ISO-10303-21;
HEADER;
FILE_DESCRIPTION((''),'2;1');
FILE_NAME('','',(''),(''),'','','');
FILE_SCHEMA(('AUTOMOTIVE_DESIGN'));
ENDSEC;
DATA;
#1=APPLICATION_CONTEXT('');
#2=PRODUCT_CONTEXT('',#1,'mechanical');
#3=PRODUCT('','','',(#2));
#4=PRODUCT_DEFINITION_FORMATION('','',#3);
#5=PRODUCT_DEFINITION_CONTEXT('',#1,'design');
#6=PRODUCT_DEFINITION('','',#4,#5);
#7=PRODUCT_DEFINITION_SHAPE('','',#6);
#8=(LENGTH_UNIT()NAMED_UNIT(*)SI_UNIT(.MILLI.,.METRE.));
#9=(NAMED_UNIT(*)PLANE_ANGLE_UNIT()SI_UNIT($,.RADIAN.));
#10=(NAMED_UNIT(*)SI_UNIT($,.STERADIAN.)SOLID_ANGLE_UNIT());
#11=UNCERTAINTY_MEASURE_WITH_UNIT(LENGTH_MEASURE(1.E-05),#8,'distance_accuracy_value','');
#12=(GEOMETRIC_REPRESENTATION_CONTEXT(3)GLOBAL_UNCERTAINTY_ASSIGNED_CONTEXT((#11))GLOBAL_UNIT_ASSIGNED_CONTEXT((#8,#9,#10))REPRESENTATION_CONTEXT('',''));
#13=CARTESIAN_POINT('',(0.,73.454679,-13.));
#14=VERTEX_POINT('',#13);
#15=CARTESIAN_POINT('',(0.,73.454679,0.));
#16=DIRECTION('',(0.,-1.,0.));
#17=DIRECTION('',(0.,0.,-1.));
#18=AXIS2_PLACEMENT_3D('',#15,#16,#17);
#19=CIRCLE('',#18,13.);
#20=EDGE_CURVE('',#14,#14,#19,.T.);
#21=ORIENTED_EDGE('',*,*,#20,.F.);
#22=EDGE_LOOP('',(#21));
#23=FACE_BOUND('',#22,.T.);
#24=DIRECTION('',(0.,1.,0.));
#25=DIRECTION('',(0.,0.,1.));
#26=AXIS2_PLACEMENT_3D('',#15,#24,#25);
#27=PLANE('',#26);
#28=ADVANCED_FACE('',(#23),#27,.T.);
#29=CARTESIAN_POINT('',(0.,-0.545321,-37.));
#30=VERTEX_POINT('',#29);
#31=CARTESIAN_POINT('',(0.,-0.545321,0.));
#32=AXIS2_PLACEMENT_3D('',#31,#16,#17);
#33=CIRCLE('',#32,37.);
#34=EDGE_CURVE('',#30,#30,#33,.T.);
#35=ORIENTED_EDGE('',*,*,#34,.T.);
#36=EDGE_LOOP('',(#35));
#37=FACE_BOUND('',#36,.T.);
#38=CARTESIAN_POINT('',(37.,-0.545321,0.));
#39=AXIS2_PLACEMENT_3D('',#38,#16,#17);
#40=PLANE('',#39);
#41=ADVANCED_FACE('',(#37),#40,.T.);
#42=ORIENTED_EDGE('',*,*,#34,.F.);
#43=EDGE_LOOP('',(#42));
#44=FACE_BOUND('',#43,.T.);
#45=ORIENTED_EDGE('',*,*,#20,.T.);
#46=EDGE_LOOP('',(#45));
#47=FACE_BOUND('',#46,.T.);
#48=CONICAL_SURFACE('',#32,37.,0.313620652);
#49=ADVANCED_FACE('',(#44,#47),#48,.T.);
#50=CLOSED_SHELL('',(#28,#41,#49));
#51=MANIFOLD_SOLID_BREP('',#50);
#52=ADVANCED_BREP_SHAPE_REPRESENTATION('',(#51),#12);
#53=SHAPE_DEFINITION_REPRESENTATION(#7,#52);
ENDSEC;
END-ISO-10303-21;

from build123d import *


with BuildPart() as part:
    # 草图2 → 旋转1 (revolve)
    with BuildSketch(Plane.XY):
        Polygon((0, -0.545321134), (0, 73.454678866), (13, 73.454678866), (37, -0.545321134), align=None)
    revolve(axis=Axis((0, -0.545321134, 0), (0, 1, 0)))


solid = part.part
